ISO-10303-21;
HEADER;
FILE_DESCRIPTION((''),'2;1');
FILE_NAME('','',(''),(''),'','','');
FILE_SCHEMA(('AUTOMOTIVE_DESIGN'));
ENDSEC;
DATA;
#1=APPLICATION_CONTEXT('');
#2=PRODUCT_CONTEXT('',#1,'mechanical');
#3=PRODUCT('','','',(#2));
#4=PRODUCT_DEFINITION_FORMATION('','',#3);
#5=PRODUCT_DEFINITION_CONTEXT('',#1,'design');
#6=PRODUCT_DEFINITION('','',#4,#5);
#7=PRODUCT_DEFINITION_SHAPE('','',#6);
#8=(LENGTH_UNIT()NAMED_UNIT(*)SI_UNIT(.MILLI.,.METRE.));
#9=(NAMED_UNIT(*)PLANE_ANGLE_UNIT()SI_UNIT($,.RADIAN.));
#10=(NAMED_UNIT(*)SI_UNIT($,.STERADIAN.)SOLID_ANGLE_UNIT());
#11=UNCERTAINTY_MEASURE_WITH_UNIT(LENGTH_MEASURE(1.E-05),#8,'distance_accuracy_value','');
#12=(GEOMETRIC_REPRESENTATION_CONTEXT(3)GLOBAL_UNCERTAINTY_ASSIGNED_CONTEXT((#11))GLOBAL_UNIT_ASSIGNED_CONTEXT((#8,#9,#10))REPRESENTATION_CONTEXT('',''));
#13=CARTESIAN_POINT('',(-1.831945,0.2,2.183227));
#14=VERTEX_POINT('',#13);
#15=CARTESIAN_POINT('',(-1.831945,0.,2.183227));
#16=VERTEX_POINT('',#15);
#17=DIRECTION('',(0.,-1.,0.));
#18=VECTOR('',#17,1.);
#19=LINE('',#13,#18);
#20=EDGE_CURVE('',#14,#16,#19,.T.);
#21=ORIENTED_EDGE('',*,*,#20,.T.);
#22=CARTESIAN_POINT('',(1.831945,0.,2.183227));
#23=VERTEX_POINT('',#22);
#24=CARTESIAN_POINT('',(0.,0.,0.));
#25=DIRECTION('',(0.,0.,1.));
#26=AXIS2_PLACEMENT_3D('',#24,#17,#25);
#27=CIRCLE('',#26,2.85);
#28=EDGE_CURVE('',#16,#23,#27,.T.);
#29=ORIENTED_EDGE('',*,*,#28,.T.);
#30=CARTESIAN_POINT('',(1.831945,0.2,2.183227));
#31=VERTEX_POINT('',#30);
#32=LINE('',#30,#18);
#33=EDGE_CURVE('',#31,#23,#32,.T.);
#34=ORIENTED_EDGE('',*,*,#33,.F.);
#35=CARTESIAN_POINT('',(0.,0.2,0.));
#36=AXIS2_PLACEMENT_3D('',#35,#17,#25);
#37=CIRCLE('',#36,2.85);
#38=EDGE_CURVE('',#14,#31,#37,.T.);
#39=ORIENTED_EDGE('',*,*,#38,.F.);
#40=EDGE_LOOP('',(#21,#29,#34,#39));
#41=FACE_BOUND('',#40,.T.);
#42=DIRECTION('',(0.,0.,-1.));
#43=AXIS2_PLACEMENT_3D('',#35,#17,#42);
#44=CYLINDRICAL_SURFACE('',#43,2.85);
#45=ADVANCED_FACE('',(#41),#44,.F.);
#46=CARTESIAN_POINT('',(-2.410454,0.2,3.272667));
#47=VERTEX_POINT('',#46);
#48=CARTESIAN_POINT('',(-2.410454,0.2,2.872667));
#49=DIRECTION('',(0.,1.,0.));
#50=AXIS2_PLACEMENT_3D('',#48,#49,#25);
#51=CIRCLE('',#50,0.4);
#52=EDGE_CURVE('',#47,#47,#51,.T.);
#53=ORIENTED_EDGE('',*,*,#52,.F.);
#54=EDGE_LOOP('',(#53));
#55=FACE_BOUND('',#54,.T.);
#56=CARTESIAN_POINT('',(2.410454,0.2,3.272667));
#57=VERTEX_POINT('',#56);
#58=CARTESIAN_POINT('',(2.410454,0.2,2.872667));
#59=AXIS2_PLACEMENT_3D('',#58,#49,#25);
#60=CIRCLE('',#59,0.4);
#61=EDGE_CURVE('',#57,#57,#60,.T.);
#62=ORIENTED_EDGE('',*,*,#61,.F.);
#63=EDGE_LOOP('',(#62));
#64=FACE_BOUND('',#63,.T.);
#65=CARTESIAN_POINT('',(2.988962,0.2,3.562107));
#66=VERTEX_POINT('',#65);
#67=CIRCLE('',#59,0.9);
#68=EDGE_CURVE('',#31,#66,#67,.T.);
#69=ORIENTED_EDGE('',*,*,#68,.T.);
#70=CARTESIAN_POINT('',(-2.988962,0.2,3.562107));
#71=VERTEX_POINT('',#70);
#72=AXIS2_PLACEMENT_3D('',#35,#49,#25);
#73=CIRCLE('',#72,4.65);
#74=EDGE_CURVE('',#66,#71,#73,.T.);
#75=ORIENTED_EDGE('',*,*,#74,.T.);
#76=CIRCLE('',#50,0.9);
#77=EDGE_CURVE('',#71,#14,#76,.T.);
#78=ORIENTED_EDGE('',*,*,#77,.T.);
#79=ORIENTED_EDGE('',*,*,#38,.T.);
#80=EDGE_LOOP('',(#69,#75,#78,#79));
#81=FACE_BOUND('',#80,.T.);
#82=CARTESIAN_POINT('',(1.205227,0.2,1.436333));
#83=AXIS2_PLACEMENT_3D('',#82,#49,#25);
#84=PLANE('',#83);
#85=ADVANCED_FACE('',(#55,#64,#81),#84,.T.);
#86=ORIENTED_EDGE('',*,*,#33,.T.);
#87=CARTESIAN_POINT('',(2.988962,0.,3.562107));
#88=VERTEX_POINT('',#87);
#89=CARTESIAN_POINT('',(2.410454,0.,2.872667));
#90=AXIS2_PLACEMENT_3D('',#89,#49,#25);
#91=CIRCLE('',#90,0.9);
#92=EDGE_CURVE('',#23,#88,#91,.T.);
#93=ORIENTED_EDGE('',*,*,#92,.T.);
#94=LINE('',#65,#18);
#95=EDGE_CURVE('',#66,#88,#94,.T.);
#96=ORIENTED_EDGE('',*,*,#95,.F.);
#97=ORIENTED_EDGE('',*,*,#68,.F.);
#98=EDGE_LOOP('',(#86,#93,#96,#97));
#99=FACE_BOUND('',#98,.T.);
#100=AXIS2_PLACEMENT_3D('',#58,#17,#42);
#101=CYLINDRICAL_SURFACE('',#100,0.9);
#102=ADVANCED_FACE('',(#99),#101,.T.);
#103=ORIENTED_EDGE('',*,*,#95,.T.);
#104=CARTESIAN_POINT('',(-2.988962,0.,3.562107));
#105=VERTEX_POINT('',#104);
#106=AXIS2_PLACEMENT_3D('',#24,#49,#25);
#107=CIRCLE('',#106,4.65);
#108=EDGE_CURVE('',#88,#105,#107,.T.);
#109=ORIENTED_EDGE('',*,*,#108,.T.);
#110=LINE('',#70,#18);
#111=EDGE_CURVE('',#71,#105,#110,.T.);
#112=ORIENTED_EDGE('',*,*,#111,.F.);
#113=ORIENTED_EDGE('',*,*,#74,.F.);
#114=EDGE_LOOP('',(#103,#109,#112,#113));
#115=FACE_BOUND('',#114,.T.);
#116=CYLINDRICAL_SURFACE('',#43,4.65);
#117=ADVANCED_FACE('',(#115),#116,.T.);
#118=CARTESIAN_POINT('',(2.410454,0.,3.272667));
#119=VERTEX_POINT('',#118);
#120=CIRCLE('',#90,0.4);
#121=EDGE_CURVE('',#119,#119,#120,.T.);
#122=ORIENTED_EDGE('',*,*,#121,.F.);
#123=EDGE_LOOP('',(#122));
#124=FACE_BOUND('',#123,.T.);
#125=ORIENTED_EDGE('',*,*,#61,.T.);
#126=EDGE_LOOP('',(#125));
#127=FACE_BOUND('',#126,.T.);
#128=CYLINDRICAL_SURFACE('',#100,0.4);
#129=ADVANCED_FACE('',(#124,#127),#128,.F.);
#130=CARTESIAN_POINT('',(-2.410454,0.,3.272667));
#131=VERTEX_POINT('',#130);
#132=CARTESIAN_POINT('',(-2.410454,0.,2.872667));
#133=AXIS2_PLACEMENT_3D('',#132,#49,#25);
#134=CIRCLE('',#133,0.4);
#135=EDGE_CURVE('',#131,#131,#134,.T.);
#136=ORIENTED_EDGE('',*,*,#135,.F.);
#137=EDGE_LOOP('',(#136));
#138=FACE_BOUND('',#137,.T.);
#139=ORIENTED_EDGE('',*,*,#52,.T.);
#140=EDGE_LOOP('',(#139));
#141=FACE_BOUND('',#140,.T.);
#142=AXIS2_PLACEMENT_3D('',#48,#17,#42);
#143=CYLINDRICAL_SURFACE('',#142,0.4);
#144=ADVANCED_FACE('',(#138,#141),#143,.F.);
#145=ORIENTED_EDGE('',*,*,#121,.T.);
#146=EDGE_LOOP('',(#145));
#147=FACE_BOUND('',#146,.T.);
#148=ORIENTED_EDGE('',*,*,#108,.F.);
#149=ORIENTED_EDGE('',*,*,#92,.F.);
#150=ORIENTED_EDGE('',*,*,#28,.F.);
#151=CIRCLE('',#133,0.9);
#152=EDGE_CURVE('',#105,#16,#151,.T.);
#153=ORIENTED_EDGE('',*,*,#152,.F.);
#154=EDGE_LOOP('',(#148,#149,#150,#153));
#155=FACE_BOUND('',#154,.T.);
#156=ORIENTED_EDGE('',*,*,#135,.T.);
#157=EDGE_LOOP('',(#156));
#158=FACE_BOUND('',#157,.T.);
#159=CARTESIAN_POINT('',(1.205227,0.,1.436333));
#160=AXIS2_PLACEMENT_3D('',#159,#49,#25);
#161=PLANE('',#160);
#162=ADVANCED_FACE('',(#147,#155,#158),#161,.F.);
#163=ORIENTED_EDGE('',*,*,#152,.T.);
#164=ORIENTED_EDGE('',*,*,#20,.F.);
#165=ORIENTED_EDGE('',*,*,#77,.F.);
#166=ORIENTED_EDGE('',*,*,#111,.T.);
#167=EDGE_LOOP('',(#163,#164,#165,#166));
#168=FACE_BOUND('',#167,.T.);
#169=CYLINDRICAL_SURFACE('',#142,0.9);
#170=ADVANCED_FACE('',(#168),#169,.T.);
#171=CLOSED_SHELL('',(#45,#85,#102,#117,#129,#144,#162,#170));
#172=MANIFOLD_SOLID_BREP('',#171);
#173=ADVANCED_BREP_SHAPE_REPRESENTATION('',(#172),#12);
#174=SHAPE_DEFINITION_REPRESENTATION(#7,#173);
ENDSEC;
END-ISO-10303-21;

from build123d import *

# Parameters (mm, degrees)
SKETCH2_R           = 0.4
BOSS_EXTRUDE1_DEPTH = 0.2


with BuildPart() as part:
    # Sketch2 → Boss-Extrude1 (new body)
    with BuildSketch(Plane(origin=(0, 0, 0), x_dir=(1, 0, 0), z_dir=(0, 1, 0))):
        with BuildLine():
            ThreePointArc((2.988962385, -3.562106661), (0, 4.65), (-2.988962385, -3.562106661))
            ThreePointArc((-2.988962385, -3.562106661), (-1.721013538, -3.45117551), (-1.831944688, -2.183226663))
            ThreePointArc((-1.831944688, -2.183226663), (0, 2.85), (1.831944688, -2.183226663))
            ThreePointArc((1.831944688, -2.183226663), (1.721013538, -3.45117551), (2.988962385, -3.562106661))
        make_face()
        with Locations(Location((-2.410453536, -2.872666662, 0), (0, 0, 270))):
            Circle(SKETCH2_R, mode=Mode.SUBTRACT)
        with Locations(Location((2.410453536, -2.872666662, 0), (0, 0, 270))):
            Circle(SKETCH2_R, mode=Mode.SUBTRACT)
    extrude(amount=BOSS_EXTRUDE1_DEPTH)


solid = part.part
